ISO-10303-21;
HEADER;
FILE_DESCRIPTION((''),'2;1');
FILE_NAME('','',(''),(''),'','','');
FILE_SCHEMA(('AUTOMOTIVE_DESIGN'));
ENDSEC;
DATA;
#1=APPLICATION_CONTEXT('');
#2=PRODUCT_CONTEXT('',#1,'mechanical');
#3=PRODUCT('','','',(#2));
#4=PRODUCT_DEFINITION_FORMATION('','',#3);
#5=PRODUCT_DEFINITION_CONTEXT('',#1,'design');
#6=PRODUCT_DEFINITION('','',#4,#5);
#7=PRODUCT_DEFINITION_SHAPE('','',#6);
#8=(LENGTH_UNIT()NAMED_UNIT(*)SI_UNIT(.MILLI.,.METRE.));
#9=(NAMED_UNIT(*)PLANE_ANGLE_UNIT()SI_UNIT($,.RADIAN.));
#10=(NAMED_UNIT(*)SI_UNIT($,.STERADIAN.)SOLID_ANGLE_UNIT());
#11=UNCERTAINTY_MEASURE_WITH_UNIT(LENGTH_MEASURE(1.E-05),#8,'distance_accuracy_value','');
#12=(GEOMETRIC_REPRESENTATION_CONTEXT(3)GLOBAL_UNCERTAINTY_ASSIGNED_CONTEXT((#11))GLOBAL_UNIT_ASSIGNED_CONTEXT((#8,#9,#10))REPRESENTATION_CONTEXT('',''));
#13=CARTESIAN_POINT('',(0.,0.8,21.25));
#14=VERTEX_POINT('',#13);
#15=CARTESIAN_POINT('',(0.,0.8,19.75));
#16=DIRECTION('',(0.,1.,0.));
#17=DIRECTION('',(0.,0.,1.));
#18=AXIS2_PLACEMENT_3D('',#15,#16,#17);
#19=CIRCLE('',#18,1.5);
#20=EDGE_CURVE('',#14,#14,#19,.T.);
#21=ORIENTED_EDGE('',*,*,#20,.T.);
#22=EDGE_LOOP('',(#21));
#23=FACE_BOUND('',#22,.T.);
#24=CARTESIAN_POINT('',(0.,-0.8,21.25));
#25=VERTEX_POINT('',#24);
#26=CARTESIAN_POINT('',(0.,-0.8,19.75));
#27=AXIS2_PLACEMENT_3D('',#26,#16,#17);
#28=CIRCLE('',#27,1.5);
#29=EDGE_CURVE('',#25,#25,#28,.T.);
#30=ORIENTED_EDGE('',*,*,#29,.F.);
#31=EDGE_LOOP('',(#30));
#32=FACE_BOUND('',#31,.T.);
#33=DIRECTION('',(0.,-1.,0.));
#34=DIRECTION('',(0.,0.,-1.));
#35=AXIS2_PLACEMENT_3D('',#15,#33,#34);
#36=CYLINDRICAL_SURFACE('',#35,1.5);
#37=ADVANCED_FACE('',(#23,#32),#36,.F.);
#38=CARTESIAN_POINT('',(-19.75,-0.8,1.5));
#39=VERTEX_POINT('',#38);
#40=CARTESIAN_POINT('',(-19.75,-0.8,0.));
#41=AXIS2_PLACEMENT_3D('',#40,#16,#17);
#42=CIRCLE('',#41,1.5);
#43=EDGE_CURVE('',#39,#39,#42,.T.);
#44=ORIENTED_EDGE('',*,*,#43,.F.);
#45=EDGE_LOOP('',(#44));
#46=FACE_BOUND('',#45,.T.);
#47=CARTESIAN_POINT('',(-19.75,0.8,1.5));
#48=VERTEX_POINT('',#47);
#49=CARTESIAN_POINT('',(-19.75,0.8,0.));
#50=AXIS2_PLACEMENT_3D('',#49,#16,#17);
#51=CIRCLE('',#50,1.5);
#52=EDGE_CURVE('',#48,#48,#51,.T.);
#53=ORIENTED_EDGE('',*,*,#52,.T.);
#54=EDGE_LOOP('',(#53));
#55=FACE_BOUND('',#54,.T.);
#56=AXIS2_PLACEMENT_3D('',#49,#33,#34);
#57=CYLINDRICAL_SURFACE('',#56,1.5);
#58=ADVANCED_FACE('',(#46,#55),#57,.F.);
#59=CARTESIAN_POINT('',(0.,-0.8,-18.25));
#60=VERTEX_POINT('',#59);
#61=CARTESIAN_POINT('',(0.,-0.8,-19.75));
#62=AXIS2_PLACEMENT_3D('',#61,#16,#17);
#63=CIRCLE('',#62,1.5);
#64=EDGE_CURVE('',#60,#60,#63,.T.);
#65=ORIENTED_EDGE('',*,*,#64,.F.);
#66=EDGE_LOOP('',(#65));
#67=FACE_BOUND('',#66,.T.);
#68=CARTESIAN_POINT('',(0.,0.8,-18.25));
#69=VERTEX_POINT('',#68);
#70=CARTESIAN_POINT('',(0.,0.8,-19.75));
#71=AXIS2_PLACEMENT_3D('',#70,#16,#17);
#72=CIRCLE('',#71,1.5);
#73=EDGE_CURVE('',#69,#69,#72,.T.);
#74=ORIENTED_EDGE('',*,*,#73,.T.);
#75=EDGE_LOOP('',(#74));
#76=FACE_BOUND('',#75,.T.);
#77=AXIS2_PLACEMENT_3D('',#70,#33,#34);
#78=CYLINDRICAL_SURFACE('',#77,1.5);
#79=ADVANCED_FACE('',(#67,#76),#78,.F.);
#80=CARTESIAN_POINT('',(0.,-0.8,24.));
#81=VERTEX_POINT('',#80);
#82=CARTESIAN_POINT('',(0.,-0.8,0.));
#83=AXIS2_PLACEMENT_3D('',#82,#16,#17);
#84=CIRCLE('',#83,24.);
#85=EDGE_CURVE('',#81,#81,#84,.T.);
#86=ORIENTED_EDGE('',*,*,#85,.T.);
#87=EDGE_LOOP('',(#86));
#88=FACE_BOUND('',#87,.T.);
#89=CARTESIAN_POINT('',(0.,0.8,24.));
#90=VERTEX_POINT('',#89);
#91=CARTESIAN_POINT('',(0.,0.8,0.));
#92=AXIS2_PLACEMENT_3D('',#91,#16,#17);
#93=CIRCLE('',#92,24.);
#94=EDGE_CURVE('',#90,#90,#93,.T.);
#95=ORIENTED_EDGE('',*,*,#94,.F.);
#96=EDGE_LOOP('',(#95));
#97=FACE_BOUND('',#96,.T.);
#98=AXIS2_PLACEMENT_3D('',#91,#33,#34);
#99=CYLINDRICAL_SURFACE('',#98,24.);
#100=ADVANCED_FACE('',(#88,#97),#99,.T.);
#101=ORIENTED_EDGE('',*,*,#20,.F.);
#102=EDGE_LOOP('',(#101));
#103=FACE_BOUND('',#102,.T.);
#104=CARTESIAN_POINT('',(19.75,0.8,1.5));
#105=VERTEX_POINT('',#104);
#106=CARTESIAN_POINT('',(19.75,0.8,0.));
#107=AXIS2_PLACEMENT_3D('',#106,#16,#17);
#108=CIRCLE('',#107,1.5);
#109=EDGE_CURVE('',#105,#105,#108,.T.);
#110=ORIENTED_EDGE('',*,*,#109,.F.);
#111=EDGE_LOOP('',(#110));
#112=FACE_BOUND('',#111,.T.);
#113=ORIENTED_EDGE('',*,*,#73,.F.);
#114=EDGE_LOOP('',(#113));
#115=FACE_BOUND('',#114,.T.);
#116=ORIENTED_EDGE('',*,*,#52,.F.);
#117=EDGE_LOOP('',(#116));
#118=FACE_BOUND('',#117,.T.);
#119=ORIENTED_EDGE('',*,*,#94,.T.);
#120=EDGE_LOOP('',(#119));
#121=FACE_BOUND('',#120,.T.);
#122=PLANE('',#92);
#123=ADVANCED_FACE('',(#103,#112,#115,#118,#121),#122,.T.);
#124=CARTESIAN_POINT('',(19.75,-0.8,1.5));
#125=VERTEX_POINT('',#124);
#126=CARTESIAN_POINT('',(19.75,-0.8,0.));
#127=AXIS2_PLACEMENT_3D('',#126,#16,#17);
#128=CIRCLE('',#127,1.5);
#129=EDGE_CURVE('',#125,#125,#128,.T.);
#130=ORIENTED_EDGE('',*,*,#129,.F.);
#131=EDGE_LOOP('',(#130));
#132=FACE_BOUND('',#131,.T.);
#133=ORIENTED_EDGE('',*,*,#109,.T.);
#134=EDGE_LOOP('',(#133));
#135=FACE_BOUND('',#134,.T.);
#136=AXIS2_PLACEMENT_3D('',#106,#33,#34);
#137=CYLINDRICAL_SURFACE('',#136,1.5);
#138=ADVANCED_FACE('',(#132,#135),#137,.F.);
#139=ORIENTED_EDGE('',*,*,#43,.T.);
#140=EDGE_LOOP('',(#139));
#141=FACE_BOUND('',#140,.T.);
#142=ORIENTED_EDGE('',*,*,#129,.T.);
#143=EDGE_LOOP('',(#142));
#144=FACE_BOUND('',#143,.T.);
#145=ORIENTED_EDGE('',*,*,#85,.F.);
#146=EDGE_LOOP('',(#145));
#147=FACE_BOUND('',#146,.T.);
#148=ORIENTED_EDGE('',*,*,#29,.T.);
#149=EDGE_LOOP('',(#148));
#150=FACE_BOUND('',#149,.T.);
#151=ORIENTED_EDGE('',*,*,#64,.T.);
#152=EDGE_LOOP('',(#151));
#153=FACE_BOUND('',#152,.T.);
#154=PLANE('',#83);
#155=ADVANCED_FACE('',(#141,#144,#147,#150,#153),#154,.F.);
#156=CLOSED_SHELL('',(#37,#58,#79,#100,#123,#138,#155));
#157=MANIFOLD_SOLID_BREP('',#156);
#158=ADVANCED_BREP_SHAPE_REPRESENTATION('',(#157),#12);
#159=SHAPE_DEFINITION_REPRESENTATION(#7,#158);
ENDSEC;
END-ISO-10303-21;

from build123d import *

# Parameters (mm, degrees)
SKETCH1_R           = 24
SKETCH1_R_2         = 1.5
BOSS_EXTRUDE1_DEPTH = 0.8


with BuildPart() as part:
    # Sketch1 → Boss-Extrude1 (new, symmetric)
    with BuildSketch(Plane(origin=(0, 0, 0), x_dir=(1, 0, 0), z_dir=(0, 1, 0))):
        with Locations(Location((0, 0, 0), (0, 0, 270))):
            Circle(SKETCH1_R)
        with Locations(Location((-19.75, 0, 0), (0, 0, 270))):
            Circle(SKETCH1_R_2, mode=Mode.SUBTRACT)
        with Locations(Location((0, -19.75, 0), (0, 0, 270))):
            Circle(SKETCH1_R_2, mode=Mode.SUBTRACT)
        with Locations(Location((19.75, 0, 0), (0, 0, 270))):
            Circle(SKETCH1_R_2, mode=Mode.SUBTRACT)
        with Locations(Location((0, 19.75, 0), (0, 0, 270))):
            Circle(SKETCH1_R_2, mode=Mode.SUBTRACT)
    extrude(amount=BOSS_EXTRUDE1_DEPTH, both=True)


solid = part.part
